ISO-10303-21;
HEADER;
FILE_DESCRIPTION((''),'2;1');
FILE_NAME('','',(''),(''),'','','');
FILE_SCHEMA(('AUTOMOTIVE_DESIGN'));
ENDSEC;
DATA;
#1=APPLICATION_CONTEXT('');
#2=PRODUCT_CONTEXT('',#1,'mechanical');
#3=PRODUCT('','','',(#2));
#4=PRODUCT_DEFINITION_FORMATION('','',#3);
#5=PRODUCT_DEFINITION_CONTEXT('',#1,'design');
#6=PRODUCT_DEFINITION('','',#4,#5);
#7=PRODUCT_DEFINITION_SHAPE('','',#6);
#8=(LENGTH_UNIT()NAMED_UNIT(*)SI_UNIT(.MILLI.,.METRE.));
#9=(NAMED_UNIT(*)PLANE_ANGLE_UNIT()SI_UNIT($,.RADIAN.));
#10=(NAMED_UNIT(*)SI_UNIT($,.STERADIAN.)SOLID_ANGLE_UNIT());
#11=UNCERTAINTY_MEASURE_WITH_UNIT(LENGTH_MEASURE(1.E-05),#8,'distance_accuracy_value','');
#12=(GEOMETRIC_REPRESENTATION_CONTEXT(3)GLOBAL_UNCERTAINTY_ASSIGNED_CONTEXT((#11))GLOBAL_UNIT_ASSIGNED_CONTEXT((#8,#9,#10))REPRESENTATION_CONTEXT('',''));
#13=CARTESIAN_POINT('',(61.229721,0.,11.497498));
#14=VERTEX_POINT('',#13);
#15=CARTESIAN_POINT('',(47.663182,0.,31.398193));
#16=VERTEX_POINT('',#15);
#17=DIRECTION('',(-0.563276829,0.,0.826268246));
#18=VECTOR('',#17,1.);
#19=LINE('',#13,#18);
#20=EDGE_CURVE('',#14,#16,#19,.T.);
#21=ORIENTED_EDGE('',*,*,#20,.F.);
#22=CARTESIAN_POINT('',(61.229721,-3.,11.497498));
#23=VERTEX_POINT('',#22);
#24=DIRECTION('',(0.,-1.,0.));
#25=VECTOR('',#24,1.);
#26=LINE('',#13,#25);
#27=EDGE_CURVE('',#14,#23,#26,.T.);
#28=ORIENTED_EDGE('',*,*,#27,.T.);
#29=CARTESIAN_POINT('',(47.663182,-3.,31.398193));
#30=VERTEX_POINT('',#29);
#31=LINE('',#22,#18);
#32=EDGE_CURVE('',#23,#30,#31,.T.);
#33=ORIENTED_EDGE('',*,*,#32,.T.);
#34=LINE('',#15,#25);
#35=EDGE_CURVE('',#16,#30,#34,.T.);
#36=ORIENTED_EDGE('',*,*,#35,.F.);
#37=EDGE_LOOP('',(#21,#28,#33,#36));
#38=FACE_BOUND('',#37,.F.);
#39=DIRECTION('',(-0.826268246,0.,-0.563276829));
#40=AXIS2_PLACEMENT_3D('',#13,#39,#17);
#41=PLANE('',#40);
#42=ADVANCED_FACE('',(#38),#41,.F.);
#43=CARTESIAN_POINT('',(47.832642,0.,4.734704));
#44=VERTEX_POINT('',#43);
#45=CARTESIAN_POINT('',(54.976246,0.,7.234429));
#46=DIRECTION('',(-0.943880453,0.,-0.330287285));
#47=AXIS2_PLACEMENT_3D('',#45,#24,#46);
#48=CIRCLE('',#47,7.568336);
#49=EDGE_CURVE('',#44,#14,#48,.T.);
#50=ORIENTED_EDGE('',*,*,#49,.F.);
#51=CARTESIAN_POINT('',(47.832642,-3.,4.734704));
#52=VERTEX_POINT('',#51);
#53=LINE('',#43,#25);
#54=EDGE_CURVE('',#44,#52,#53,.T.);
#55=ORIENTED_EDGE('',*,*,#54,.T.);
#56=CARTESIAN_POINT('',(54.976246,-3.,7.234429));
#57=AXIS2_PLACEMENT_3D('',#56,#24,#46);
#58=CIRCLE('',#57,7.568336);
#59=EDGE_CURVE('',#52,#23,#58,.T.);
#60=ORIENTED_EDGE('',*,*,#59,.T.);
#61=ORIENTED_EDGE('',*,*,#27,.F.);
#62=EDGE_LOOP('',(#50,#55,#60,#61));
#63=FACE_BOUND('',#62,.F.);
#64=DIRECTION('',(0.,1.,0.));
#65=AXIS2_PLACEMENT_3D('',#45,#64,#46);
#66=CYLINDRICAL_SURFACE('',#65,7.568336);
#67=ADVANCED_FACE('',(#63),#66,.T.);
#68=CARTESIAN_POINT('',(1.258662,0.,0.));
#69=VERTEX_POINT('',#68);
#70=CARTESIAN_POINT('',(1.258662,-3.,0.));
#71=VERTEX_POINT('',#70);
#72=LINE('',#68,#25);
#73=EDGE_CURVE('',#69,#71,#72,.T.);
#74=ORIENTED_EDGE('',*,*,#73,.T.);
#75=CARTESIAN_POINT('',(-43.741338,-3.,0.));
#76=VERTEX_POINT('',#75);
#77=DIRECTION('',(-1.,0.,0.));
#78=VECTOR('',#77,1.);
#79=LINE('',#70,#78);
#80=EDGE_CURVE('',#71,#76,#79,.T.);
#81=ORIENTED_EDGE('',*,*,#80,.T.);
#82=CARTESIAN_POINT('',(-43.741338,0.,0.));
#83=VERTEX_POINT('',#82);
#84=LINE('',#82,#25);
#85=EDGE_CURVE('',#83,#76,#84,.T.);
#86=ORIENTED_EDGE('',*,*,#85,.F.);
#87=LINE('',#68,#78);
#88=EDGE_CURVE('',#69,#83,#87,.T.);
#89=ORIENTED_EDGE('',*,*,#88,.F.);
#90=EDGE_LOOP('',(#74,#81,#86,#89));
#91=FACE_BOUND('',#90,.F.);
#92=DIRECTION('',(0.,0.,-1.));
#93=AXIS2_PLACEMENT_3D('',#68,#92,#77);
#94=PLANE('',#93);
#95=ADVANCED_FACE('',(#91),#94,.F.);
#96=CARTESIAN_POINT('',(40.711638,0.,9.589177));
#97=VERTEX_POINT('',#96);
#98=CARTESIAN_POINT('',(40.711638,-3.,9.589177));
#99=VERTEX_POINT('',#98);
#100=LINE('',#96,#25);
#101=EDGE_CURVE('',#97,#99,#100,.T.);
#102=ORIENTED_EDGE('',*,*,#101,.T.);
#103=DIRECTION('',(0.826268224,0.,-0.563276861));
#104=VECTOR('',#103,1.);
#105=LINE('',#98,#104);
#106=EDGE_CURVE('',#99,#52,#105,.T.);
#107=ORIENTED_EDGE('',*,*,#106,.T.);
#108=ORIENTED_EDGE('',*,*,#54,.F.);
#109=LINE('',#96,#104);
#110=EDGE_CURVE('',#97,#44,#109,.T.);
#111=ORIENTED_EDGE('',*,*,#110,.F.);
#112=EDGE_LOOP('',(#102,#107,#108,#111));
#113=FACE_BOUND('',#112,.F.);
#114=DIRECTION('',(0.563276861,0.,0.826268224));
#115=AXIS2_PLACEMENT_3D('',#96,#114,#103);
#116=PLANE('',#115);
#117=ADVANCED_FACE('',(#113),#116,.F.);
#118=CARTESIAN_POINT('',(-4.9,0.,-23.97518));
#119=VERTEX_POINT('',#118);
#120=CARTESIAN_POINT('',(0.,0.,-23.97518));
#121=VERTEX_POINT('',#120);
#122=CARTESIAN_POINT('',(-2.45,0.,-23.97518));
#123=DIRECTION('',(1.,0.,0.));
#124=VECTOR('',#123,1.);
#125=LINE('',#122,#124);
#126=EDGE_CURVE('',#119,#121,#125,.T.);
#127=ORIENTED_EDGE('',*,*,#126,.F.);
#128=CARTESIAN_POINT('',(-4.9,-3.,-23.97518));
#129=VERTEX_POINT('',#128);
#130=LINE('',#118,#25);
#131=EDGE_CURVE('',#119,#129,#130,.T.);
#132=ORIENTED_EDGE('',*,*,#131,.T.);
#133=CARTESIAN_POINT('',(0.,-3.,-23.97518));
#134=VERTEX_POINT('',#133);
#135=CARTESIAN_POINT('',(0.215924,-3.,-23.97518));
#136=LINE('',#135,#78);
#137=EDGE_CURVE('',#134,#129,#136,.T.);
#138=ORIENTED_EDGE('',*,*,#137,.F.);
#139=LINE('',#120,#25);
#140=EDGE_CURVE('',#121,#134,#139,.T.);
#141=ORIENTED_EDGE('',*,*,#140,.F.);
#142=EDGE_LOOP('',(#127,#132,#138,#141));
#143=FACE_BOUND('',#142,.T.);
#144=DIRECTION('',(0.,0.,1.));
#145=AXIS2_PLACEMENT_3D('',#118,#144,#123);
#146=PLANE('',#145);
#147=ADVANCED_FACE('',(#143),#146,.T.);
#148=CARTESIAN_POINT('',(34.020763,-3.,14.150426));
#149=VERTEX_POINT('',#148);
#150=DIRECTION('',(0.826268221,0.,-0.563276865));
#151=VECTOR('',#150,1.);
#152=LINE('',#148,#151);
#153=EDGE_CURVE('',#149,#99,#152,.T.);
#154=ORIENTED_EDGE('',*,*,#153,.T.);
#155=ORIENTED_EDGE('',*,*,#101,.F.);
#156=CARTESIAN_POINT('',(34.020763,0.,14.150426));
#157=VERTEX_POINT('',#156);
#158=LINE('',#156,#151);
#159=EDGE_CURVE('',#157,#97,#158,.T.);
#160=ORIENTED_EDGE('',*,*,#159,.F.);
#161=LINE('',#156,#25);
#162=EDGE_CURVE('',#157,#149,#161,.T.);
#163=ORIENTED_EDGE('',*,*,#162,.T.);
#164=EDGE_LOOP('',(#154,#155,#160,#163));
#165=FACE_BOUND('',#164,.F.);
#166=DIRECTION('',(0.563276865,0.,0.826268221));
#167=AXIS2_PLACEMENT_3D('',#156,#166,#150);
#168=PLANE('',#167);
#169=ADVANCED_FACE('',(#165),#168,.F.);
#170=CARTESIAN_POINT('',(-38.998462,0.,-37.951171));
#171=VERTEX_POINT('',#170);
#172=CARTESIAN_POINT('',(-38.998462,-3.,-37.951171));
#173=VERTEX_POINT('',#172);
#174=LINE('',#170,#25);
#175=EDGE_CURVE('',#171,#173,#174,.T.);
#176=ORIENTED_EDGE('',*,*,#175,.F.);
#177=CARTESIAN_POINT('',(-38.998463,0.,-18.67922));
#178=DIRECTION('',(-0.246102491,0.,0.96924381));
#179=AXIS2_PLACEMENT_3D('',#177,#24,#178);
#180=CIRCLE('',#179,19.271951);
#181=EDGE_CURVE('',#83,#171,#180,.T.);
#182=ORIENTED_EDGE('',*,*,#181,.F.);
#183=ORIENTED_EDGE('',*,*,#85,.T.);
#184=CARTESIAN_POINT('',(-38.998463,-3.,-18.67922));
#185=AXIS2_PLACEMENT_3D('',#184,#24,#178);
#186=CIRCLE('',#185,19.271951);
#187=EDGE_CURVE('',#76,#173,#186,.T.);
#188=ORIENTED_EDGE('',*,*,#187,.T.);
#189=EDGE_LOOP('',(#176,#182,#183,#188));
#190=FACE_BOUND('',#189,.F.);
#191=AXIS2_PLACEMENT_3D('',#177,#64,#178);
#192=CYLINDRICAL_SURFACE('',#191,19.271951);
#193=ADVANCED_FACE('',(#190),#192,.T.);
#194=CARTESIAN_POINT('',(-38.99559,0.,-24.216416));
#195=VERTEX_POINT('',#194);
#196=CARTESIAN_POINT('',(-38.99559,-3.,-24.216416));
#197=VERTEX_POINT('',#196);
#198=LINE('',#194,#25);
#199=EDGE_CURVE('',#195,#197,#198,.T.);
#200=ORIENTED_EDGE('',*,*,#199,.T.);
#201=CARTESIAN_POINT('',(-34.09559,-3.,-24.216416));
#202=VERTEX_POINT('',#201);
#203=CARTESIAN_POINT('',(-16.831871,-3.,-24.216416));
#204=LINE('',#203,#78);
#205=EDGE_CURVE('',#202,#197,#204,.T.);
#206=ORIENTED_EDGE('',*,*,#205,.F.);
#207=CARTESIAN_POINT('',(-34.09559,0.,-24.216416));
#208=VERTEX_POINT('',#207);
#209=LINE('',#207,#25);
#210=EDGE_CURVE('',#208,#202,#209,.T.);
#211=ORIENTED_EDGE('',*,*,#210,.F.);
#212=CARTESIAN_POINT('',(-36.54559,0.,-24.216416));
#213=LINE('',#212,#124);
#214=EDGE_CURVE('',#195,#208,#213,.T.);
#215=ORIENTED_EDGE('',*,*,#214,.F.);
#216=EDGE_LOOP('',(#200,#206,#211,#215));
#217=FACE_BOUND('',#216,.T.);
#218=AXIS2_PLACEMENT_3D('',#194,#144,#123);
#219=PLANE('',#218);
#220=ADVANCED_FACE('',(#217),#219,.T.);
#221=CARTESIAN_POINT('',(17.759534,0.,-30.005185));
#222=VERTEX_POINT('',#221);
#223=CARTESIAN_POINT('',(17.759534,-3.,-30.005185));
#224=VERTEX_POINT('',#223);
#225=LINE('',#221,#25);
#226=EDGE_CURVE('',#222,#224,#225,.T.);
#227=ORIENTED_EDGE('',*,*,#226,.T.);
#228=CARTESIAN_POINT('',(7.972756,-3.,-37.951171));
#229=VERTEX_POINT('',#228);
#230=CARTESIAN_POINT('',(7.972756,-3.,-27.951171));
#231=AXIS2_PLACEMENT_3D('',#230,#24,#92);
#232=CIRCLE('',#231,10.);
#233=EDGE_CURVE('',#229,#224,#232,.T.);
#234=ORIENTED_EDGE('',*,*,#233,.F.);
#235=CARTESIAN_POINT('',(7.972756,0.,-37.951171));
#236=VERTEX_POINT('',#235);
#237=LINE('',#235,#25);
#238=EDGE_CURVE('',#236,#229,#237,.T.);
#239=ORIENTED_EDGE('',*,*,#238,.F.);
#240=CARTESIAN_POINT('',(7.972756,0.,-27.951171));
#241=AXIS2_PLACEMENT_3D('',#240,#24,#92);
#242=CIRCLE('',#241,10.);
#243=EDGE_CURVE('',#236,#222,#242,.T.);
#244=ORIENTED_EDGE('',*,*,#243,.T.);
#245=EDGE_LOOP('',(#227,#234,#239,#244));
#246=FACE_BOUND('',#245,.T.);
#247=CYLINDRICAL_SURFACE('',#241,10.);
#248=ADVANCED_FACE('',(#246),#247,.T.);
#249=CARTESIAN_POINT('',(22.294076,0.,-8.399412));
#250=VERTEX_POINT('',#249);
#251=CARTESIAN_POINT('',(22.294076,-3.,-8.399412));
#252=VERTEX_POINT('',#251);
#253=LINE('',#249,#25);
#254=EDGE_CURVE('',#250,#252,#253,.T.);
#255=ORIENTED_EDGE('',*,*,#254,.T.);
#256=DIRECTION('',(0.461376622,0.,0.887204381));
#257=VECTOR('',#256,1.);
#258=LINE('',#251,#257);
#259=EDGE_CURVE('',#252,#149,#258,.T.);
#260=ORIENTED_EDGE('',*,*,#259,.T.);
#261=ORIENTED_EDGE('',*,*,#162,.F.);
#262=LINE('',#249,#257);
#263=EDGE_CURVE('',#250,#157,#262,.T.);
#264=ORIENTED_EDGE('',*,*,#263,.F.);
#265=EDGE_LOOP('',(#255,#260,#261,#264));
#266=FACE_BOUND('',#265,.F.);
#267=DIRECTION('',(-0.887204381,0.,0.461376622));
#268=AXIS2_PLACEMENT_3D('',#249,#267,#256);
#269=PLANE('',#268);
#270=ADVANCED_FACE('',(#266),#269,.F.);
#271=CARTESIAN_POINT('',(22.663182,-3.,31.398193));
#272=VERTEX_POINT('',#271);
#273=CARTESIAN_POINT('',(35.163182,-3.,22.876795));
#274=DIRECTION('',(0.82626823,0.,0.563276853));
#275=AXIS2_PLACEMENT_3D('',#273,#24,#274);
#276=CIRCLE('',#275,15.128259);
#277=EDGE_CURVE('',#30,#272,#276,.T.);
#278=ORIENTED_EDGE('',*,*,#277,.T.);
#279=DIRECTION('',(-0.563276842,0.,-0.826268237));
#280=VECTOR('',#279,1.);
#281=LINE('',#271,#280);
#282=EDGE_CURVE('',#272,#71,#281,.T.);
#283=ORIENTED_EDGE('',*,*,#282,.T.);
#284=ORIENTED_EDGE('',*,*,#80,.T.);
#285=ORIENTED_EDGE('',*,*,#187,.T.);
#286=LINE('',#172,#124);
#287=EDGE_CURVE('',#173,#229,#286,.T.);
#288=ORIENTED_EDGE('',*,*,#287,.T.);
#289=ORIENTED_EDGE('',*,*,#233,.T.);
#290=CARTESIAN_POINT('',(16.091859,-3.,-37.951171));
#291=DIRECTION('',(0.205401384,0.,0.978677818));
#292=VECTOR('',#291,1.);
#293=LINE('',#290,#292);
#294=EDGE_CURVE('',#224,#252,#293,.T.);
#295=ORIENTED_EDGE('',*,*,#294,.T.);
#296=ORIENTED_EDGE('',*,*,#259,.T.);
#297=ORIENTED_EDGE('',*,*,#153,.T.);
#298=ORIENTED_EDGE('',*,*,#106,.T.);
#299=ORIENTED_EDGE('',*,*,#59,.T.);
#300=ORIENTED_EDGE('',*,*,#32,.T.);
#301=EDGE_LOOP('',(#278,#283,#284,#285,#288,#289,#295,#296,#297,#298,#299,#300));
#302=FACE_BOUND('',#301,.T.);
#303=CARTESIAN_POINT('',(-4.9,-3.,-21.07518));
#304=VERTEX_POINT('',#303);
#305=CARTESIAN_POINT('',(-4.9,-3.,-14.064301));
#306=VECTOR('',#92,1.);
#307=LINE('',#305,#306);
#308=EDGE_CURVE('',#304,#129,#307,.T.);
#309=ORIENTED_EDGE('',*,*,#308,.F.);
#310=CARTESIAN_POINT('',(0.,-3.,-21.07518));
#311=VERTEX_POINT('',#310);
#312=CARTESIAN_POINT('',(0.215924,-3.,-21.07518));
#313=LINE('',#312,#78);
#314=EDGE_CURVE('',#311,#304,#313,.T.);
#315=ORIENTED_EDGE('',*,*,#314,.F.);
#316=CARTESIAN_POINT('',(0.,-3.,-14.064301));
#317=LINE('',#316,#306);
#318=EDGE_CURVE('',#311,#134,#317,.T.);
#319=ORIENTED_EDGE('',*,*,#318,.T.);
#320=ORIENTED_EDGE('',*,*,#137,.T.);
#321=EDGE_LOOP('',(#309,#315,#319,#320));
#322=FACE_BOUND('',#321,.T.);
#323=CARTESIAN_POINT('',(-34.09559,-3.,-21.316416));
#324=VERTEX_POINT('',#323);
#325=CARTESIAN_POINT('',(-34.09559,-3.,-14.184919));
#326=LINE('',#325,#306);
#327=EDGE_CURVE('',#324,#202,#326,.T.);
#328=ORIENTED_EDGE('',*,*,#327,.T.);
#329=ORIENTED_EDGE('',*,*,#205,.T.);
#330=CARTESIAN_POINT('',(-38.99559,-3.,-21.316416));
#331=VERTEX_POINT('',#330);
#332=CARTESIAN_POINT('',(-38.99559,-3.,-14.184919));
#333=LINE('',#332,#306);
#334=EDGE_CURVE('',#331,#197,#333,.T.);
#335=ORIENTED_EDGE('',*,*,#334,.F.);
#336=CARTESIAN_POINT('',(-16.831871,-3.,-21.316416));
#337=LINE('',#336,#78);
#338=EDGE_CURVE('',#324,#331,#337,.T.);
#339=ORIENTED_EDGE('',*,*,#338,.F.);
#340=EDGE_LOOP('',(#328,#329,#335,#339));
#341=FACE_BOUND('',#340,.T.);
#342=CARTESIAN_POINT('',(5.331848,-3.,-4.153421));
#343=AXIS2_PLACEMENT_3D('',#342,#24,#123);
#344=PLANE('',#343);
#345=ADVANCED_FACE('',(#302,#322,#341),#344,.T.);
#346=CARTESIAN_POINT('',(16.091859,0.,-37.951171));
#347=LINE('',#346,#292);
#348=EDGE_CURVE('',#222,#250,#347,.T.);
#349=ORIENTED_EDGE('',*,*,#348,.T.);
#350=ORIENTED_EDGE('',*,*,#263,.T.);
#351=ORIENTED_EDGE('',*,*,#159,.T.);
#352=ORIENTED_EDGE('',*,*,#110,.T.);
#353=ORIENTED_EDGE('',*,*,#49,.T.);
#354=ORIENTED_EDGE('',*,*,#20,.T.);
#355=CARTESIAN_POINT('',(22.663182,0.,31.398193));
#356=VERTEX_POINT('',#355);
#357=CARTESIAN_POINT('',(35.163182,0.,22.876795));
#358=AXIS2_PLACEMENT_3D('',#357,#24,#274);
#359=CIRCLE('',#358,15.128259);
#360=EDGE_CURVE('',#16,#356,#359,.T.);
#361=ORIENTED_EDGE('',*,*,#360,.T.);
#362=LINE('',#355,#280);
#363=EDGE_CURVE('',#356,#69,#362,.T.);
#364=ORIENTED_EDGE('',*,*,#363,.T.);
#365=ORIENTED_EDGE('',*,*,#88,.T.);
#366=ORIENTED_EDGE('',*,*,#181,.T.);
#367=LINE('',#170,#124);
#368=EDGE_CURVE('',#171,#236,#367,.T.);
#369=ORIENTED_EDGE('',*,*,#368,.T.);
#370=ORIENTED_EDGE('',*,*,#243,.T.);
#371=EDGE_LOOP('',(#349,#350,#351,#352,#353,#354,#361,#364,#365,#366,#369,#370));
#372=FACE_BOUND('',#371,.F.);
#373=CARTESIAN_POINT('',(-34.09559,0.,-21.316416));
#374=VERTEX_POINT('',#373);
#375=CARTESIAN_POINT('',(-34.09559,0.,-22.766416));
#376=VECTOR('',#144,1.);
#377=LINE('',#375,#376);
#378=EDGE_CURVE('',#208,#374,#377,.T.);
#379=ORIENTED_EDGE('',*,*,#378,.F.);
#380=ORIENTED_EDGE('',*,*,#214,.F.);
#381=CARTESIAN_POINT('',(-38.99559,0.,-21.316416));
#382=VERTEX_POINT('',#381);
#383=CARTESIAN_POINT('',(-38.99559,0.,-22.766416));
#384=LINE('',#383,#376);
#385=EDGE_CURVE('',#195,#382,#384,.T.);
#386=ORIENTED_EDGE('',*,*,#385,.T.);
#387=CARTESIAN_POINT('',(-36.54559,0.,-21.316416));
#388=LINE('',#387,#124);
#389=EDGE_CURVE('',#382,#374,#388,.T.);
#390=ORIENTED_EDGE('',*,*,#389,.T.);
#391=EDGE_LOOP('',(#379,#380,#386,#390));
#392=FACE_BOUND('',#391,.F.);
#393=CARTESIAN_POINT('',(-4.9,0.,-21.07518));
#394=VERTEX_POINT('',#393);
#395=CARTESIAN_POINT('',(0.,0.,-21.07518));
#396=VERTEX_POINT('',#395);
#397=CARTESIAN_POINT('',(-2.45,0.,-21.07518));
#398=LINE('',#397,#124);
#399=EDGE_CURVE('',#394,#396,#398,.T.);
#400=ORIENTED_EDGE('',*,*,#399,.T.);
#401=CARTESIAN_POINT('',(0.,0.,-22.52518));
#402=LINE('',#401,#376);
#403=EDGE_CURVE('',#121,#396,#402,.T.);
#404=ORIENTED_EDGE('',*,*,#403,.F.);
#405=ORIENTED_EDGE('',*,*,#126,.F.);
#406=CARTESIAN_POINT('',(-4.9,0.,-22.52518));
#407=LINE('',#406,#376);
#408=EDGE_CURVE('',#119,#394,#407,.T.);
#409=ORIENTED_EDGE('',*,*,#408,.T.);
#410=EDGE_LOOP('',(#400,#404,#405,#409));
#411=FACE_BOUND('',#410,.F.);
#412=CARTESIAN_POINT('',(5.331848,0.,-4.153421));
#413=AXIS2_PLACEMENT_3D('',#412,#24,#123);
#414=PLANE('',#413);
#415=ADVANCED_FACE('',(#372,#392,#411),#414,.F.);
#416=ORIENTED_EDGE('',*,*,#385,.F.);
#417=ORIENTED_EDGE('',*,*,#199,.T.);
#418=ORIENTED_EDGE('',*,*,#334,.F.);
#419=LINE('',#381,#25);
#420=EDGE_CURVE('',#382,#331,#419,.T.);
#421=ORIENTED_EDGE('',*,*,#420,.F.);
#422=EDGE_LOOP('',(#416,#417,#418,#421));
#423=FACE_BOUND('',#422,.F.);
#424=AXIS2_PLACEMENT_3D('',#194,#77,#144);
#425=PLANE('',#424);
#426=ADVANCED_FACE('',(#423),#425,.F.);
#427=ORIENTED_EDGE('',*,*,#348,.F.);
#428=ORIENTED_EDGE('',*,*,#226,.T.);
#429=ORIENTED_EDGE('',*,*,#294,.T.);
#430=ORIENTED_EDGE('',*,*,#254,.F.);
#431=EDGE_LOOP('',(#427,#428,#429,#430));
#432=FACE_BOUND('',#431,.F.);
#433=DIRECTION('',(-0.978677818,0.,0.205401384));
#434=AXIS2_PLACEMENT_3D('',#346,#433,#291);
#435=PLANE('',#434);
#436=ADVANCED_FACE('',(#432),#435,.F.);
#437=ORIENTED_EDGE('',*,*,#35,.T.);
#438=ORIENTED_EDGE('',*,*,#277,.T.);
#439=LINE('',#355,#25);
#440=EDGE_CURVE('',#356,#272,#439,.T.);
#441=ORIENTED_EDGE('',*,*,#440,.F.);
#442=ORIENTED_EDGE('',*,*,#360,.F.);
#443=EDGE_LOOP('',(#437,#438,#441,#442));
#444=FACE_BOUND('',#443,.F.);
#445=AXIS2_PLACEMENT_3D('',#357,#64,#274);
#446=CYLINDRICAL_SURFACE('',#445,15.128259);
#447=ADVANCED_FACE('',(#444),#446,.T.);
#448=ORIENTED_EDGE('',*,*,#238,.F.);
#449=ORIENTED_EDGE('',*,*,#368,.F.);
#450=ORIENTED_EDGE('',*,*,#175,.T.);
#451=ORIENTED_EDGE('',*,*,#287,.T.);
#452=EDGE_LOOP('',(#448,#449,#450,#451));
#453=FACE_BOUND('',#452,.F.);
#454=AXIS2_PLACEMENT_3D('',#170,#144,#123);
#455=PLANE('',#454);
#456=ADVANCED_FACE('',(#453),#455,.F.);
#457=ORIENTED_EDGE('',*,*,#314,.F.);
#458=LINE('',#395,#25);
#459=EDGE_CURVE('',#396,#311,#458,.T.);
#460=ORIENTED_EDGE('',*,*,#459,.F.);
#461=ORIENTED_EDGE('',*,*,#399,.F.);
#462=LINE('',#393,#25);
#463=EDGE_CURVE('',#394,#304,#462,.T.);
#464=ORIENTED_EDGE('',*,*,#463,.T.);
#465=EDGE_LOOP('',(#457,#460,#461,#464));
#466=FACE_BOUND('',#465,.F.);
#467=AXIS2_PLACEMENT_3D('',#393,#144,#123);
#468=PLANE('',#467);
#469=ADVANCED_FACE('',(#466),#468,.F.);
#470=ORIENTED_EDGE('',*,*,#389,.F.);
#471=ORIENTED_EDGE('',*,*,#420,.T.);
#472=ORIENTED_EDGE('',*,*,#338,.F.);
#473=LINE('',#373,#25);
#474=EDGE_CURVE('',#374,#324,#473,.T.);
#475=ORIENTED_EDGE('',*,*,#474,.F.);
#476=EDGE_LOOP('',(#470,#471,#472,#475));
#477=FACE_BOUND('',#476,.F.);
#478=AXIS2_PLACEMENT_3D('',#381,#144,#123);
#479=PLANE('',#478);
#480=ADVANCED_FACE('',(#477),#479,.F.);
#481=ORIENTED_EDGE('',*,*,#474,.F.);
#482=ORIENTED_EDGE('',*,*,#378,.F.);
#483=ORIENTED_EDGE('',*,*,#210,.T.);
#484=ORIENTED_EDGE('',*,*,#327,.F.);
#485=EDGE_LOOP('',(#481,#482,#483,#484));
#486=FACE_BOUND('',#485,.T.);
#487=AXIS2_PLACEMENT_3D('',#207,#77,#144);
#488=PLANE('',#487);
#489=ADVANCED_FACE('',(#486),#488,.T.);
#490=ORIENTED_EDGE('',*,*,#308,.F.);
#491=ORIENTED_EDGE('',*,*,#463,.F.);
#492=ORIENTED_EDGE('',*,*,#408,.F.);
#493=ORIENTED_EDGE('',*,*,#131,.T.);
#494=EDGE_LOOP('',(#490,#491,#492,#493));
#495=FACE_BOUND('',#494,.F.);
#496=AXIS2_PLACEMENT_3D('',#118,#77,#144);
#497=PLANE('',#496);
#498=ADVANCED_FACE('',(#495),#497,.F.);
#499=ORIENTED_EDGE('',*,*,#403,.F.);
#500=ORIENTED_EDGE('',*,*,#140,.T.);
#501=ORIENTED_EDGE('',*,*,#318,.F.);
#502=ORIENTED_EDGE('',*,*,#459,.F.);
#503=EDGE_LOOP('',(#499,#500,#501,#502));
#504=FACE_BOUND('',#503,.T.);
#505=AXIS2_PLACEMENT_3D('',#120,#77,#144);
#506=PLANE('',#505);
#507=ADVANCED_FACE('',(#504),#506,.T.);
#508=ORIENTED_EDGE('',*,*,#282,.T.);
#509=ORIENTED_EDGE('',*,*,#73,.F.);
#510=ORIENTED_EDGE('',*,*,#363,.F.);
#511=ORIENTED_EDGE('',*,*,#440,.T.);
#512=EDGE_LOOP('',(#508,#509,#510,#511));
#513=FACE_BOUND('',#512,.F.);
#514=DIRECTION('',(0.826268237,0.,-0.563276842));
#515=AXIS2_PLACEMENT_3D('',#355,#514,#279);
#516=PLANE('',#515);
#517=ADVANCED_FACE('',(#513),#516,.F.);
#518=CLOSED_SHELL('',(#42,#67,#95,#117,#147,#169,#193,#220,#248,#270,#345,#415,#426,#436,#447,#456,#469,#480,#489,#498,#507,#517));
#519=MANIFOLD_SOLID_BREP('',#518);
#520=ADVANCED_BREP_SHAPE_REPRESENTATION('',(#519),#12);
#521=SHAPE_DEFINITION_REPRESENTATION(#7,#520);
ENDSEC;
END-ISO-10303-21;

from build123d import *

# Parameters (mm, degrees)
F1_DEPTH = 3
F2_R     = 10
F3_W     = 4.9
F3_H     = 2.9
F4_DEPTH = 25
F5_DEPTH = 25


with BuildPart() as f1:
    # F0 (on Front) → F1 (new body)
    with BuildSketch(Plane.XZ):
        with BuildLine():
            ThreePointArc((-43.741338, 0), (-58.121657, -21.069105), (-38.998462, -37.951171))
            Line((-38.998462, -37.951171), (16.091859, -37.951171))
            Line((16.091859, -37.951171), (22.294076, -8.399412))
            Line((22.294076, -8.399412), (34.020763, 14.150426))
            Line((34.020763, 14.150426), (40.711638, 9.589177))
            Line((40.711638, 9.589177), (47.832642, 4.734704))
            ThreePointArc((47.832642, 4.734704), (58.386807, 0.478115), (61.229721, 11.497498))
            Line((61.229721, 11.497498), (47.663182, 31.398193))
            ThreePointArc((47.663182, 31.398193), (35.163182, 38.005054), (22.663182, 31.398193))
            Line((22.663182, 31.398193), (1.258662, 0))
            Line((1.258662, 0), (-43.741338, 0))
        make_face()
    extrude(amount=F1_DEPTH)

    # F2
    f2_edges = [f1.edges().sort_by_distance(p)[0] for p in [
        (16.091859, -1.5, -37.951171),
    ]]
    fillet(f2_edges, radius=F2_R)

    # F3 (on Front) → F4 (cut)
    with BuildSketch(Plane.XZ):
        with Locations((-36.54559, -22.766416)):
            Rectangle(F3_W, F3_H)
        with Locations((-2.45, -22.52518)):
            Rectangle(F3_W, F3_H)
    extrude(amount=-F4_DEPTH, mode=Mode.SUBTRACT)

    # F3 (on Front) → F5 (cut)
    with BuildSketch(Plane.XZ):
        with Locations((-36.54559, -22.766416)):
            Rectangle(F3_W, F3_H)
        with Locations((-2.45, -22.52518)):
            Rectangle(F3_W, F3_H)
    extrude(amount=F5_DEPTH, mode=Mode.SUBTRACT)


solid = f1.part
